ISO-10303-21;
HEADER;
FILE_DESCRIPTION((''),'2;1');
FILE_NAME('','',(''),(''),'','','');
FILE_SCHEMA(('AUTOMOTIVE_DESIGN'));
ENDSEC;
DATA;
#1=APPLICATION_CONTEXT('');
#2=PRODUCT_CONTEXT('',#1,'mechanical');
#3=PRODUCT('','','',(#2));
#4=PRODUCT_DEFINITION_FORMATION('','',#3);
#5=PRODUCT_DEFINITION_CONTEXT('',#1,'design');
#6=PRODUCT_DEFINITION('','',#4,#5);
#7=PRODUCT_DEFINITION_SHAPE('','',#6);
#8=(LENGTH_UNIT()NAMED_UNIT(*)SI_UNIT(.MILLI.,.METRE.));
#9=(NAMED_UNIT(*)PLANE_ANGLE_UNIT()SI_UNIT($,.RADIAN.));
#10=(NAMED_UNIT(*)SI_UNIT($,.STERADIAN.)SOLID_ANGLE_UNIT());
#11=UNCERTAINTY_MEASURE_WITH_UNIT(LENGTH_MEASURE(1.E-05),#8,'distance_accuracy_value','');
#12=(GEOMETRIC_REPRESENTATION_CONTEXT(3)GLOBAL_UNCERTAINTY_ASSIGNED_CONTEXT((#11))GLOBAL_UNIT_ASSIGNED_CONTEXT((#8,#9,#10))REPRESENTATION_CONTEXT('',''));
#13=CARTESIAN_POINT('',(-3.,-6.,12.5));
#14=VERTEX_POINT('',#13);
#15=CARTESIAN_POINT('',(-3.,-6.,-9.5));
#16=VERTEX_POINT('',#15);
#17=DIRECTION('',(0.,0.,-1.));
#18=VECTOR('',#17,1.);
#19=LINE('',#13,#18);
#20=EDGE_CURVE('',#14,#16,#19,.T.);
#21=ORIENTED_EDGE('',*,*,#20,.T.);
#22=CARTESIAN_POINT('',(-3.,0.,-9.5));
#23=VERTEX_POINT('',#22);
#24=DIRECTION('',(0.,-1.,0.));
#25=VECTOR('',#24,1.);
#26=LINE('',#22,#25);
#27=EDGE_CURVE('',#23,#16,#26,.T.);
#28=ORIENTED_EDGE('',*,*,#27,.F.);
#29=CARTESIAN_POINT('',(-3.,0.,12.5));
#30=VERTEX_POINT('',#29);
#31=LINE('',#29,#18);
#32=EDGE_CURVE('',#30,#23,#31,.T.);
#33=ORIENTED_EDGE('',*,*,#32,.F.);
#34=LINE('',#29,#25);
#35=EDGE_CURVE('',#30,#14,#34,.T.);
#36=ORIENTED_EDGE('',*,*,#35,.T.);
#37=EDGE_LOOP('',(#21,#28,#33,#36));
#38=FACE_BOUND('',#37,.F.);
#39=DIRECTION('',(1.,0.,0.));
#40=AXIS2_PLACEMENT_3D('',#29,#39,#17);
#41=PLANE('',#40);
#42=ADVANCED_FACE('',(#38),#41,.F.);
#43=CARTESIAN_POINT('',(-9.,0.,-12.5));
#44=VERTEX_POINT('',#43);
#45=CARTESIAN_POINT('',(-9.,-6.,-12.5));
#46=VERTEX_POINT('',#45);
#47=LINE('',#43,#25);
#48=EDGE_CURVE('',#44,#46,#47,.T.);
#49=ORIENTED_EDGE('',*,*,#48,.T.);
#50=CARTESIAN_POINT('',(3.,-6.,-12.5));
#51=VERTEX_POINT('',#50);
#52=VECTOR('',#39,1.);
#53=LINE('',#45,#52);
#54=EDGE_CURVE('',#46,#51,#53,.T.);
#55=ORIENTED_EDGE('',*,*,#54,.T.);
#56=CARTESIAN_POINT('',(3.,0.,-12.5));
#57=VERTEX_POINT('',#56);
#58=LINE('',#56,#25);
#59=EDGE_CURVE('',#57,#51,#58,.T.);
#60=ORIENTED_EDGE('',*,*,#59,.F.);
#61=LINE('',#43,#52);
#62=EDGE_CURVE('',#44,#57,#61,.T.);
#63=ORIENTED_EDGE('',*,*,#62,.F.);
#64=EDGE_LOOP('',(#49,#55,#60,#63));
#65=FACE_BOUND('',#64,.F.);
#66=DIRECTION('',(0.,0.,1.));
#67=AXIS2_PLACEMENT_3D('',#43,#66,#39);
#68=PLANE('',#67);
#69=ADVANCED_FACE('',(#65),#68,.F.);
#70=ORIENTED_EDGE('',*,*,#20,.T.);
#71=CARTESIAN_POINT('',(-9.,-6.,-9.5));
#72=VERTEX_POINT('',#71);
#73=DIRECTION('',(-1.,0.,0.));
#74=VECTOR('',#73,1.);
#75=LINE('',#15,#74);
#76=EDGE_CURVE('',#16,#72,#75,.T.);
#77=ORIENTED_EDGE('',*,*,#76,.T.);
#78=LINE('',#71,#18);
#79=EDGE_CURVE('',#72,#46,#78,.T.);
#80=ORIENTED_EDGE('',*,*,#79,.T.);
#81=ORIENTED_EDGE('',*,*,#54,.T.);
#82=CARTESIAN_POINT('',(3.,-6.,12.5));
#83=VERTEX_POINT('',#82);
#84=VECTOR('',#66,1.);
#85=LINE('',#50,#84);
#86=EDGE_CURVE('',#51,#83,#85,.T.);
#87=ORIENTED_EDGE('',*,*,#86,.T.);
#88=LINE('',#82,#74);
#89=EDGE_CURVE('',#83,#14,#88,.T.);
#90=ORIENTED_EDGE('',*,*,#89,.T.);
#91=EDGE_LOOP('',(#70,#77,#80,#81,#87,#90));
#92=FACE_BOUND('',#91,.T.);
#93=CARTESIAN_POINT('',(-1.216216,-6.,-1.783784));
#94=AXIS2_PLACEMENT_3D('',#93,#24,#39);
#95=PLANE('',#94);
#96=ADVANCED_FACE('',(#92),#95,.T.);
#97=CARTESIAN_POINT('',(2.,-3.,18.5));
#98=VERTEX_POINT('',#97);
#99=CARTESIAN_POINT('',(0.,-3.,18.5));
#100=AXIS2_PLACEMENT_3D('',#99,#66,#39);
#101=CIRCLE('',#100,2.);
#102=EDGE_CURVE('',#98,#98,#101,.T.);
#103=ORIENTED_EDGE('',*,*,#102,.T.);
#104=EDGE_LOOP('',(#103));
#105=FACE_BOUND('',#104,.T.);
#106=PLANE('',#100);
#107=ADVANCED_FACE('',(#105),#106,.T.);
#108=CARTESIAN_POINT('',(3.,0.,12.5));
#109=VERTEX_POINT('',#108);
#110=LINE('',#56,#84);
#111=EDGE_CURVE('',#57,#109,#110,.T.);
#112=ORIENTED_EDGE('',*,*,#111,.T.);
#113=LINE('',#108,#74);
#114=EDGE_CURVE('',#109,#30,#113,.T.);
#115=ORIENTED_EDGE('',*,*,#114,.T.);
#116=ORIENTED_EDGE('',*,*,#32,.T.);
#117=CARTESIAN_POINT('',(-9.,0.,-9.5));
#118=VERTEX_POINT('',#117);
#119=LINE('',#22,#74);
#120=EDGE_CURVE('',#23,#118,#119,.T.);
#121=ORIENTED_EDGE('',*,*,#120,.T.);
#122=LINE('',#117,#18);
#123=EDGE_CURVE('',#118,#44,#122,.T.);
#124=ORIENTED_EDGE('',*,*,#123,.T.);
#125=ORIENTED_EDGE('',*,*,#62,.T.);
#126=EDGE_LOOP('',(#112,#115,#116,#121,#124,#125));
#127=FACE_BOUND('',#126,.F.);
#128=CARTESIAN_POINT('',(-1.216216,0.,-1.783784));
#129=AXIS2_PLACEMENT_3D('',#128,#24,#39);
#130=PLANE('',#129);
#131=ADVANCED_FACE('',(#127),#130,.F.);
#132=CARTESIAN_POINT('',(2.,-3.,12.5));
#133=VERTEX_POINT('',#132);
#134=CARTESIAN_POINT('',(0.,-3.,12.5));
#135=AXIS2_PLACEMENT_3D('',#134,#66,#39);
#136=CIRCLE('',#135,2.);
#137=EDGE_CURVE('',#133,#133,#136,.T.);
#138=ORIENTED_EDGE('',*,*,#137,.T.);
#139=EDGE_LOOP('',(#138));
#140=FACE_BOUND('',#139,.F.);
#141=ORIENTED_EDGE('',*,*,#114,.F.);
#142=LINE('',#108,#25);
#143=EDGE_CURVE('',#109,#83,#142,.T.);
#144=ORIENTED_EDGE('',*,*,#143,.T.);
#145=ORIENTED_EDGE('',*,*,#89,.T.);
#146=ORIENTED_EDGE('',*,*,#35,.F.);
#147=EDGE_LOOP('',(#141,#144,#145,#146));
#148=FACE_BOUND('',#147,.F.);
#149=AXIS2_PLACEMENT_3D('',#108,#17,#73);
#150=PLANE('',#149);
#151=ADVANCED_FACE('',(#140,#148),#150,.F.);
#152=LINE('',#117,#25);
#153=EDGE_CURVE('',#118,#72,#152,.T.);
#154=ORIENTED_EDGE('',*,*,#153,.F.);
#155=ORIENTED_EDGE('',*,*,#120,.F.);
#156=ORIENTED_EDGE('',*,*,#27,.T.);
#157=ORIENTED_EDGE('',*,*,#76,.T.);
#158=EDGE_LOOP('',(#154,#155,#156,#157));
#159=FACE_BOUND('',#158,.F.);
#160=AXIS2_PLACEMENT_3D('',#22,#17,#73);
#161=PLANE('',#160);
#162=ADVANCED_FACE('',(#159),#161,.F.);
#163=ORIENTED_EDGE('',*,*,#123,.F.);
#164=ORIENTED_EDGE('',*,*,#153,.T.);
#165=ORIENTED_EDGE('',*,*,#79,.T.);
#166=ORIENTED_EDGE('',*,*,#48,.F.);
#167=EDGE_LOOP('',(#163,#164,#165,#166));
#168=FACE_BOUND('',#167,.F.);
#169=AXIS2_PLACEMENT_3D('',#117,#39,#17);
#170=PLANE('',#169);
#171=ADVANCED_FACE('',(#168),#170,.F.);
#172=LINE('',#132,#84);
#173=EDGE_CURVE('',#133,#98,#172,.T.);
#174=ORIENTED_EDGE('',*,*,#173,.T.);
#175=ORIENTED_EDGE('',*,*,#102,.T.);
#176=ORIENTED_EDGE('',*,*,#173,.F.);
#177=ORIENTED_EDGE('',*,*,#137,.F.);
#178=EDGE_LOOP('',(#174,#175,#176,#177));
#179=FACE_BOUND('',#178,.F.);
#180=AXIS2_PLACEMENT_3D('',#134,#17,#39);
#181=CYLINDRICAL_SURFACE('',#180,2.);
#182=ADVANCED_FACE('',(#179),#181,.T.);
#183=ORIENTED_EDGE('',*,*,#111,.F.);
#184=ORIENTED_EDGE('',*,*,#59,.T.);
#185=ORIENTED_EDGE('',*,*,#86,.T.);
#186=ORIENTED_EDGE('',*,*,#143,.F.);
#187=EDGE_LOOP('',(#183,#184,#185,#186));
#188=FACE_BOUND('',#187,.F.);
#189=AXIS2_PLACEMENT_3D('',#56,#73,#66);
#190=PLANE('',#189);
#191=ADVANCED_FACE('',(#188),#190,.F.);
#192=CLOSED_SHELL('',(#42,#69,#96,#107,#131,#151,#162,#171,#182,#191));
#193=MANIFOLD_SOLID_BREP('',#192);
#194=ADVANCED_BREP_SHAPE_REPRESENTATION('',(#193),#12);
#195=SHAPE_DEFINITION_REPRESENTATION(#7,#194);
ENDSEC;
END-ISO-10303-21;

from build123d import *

# Parameters (mm, degrees)
F1_DEPTH = 6
F2_R     = 2
F3_DEPTH = 6


with BuildPart() as f1:
    # F0 (on Front) → F1 (new body)
    with BuildSketch(Plane.XZ):
        Polygon((3, 12.5), (-3, 12.5), (-3, -9.5), (-9, -9.5), (-9, -12.5), (-3, -12.5), (3, -12.5), align=None)
    extrude(amount=F1_DEPTH)

    # F2 (on face) → F3 (join)
    with BuildSketch(Plane.XY.offset(12.5)):
        with Locations((0, -3)):
            Circle(F2_R)
    extrude(amount=F3_DEPTH)


solid = f1.part
